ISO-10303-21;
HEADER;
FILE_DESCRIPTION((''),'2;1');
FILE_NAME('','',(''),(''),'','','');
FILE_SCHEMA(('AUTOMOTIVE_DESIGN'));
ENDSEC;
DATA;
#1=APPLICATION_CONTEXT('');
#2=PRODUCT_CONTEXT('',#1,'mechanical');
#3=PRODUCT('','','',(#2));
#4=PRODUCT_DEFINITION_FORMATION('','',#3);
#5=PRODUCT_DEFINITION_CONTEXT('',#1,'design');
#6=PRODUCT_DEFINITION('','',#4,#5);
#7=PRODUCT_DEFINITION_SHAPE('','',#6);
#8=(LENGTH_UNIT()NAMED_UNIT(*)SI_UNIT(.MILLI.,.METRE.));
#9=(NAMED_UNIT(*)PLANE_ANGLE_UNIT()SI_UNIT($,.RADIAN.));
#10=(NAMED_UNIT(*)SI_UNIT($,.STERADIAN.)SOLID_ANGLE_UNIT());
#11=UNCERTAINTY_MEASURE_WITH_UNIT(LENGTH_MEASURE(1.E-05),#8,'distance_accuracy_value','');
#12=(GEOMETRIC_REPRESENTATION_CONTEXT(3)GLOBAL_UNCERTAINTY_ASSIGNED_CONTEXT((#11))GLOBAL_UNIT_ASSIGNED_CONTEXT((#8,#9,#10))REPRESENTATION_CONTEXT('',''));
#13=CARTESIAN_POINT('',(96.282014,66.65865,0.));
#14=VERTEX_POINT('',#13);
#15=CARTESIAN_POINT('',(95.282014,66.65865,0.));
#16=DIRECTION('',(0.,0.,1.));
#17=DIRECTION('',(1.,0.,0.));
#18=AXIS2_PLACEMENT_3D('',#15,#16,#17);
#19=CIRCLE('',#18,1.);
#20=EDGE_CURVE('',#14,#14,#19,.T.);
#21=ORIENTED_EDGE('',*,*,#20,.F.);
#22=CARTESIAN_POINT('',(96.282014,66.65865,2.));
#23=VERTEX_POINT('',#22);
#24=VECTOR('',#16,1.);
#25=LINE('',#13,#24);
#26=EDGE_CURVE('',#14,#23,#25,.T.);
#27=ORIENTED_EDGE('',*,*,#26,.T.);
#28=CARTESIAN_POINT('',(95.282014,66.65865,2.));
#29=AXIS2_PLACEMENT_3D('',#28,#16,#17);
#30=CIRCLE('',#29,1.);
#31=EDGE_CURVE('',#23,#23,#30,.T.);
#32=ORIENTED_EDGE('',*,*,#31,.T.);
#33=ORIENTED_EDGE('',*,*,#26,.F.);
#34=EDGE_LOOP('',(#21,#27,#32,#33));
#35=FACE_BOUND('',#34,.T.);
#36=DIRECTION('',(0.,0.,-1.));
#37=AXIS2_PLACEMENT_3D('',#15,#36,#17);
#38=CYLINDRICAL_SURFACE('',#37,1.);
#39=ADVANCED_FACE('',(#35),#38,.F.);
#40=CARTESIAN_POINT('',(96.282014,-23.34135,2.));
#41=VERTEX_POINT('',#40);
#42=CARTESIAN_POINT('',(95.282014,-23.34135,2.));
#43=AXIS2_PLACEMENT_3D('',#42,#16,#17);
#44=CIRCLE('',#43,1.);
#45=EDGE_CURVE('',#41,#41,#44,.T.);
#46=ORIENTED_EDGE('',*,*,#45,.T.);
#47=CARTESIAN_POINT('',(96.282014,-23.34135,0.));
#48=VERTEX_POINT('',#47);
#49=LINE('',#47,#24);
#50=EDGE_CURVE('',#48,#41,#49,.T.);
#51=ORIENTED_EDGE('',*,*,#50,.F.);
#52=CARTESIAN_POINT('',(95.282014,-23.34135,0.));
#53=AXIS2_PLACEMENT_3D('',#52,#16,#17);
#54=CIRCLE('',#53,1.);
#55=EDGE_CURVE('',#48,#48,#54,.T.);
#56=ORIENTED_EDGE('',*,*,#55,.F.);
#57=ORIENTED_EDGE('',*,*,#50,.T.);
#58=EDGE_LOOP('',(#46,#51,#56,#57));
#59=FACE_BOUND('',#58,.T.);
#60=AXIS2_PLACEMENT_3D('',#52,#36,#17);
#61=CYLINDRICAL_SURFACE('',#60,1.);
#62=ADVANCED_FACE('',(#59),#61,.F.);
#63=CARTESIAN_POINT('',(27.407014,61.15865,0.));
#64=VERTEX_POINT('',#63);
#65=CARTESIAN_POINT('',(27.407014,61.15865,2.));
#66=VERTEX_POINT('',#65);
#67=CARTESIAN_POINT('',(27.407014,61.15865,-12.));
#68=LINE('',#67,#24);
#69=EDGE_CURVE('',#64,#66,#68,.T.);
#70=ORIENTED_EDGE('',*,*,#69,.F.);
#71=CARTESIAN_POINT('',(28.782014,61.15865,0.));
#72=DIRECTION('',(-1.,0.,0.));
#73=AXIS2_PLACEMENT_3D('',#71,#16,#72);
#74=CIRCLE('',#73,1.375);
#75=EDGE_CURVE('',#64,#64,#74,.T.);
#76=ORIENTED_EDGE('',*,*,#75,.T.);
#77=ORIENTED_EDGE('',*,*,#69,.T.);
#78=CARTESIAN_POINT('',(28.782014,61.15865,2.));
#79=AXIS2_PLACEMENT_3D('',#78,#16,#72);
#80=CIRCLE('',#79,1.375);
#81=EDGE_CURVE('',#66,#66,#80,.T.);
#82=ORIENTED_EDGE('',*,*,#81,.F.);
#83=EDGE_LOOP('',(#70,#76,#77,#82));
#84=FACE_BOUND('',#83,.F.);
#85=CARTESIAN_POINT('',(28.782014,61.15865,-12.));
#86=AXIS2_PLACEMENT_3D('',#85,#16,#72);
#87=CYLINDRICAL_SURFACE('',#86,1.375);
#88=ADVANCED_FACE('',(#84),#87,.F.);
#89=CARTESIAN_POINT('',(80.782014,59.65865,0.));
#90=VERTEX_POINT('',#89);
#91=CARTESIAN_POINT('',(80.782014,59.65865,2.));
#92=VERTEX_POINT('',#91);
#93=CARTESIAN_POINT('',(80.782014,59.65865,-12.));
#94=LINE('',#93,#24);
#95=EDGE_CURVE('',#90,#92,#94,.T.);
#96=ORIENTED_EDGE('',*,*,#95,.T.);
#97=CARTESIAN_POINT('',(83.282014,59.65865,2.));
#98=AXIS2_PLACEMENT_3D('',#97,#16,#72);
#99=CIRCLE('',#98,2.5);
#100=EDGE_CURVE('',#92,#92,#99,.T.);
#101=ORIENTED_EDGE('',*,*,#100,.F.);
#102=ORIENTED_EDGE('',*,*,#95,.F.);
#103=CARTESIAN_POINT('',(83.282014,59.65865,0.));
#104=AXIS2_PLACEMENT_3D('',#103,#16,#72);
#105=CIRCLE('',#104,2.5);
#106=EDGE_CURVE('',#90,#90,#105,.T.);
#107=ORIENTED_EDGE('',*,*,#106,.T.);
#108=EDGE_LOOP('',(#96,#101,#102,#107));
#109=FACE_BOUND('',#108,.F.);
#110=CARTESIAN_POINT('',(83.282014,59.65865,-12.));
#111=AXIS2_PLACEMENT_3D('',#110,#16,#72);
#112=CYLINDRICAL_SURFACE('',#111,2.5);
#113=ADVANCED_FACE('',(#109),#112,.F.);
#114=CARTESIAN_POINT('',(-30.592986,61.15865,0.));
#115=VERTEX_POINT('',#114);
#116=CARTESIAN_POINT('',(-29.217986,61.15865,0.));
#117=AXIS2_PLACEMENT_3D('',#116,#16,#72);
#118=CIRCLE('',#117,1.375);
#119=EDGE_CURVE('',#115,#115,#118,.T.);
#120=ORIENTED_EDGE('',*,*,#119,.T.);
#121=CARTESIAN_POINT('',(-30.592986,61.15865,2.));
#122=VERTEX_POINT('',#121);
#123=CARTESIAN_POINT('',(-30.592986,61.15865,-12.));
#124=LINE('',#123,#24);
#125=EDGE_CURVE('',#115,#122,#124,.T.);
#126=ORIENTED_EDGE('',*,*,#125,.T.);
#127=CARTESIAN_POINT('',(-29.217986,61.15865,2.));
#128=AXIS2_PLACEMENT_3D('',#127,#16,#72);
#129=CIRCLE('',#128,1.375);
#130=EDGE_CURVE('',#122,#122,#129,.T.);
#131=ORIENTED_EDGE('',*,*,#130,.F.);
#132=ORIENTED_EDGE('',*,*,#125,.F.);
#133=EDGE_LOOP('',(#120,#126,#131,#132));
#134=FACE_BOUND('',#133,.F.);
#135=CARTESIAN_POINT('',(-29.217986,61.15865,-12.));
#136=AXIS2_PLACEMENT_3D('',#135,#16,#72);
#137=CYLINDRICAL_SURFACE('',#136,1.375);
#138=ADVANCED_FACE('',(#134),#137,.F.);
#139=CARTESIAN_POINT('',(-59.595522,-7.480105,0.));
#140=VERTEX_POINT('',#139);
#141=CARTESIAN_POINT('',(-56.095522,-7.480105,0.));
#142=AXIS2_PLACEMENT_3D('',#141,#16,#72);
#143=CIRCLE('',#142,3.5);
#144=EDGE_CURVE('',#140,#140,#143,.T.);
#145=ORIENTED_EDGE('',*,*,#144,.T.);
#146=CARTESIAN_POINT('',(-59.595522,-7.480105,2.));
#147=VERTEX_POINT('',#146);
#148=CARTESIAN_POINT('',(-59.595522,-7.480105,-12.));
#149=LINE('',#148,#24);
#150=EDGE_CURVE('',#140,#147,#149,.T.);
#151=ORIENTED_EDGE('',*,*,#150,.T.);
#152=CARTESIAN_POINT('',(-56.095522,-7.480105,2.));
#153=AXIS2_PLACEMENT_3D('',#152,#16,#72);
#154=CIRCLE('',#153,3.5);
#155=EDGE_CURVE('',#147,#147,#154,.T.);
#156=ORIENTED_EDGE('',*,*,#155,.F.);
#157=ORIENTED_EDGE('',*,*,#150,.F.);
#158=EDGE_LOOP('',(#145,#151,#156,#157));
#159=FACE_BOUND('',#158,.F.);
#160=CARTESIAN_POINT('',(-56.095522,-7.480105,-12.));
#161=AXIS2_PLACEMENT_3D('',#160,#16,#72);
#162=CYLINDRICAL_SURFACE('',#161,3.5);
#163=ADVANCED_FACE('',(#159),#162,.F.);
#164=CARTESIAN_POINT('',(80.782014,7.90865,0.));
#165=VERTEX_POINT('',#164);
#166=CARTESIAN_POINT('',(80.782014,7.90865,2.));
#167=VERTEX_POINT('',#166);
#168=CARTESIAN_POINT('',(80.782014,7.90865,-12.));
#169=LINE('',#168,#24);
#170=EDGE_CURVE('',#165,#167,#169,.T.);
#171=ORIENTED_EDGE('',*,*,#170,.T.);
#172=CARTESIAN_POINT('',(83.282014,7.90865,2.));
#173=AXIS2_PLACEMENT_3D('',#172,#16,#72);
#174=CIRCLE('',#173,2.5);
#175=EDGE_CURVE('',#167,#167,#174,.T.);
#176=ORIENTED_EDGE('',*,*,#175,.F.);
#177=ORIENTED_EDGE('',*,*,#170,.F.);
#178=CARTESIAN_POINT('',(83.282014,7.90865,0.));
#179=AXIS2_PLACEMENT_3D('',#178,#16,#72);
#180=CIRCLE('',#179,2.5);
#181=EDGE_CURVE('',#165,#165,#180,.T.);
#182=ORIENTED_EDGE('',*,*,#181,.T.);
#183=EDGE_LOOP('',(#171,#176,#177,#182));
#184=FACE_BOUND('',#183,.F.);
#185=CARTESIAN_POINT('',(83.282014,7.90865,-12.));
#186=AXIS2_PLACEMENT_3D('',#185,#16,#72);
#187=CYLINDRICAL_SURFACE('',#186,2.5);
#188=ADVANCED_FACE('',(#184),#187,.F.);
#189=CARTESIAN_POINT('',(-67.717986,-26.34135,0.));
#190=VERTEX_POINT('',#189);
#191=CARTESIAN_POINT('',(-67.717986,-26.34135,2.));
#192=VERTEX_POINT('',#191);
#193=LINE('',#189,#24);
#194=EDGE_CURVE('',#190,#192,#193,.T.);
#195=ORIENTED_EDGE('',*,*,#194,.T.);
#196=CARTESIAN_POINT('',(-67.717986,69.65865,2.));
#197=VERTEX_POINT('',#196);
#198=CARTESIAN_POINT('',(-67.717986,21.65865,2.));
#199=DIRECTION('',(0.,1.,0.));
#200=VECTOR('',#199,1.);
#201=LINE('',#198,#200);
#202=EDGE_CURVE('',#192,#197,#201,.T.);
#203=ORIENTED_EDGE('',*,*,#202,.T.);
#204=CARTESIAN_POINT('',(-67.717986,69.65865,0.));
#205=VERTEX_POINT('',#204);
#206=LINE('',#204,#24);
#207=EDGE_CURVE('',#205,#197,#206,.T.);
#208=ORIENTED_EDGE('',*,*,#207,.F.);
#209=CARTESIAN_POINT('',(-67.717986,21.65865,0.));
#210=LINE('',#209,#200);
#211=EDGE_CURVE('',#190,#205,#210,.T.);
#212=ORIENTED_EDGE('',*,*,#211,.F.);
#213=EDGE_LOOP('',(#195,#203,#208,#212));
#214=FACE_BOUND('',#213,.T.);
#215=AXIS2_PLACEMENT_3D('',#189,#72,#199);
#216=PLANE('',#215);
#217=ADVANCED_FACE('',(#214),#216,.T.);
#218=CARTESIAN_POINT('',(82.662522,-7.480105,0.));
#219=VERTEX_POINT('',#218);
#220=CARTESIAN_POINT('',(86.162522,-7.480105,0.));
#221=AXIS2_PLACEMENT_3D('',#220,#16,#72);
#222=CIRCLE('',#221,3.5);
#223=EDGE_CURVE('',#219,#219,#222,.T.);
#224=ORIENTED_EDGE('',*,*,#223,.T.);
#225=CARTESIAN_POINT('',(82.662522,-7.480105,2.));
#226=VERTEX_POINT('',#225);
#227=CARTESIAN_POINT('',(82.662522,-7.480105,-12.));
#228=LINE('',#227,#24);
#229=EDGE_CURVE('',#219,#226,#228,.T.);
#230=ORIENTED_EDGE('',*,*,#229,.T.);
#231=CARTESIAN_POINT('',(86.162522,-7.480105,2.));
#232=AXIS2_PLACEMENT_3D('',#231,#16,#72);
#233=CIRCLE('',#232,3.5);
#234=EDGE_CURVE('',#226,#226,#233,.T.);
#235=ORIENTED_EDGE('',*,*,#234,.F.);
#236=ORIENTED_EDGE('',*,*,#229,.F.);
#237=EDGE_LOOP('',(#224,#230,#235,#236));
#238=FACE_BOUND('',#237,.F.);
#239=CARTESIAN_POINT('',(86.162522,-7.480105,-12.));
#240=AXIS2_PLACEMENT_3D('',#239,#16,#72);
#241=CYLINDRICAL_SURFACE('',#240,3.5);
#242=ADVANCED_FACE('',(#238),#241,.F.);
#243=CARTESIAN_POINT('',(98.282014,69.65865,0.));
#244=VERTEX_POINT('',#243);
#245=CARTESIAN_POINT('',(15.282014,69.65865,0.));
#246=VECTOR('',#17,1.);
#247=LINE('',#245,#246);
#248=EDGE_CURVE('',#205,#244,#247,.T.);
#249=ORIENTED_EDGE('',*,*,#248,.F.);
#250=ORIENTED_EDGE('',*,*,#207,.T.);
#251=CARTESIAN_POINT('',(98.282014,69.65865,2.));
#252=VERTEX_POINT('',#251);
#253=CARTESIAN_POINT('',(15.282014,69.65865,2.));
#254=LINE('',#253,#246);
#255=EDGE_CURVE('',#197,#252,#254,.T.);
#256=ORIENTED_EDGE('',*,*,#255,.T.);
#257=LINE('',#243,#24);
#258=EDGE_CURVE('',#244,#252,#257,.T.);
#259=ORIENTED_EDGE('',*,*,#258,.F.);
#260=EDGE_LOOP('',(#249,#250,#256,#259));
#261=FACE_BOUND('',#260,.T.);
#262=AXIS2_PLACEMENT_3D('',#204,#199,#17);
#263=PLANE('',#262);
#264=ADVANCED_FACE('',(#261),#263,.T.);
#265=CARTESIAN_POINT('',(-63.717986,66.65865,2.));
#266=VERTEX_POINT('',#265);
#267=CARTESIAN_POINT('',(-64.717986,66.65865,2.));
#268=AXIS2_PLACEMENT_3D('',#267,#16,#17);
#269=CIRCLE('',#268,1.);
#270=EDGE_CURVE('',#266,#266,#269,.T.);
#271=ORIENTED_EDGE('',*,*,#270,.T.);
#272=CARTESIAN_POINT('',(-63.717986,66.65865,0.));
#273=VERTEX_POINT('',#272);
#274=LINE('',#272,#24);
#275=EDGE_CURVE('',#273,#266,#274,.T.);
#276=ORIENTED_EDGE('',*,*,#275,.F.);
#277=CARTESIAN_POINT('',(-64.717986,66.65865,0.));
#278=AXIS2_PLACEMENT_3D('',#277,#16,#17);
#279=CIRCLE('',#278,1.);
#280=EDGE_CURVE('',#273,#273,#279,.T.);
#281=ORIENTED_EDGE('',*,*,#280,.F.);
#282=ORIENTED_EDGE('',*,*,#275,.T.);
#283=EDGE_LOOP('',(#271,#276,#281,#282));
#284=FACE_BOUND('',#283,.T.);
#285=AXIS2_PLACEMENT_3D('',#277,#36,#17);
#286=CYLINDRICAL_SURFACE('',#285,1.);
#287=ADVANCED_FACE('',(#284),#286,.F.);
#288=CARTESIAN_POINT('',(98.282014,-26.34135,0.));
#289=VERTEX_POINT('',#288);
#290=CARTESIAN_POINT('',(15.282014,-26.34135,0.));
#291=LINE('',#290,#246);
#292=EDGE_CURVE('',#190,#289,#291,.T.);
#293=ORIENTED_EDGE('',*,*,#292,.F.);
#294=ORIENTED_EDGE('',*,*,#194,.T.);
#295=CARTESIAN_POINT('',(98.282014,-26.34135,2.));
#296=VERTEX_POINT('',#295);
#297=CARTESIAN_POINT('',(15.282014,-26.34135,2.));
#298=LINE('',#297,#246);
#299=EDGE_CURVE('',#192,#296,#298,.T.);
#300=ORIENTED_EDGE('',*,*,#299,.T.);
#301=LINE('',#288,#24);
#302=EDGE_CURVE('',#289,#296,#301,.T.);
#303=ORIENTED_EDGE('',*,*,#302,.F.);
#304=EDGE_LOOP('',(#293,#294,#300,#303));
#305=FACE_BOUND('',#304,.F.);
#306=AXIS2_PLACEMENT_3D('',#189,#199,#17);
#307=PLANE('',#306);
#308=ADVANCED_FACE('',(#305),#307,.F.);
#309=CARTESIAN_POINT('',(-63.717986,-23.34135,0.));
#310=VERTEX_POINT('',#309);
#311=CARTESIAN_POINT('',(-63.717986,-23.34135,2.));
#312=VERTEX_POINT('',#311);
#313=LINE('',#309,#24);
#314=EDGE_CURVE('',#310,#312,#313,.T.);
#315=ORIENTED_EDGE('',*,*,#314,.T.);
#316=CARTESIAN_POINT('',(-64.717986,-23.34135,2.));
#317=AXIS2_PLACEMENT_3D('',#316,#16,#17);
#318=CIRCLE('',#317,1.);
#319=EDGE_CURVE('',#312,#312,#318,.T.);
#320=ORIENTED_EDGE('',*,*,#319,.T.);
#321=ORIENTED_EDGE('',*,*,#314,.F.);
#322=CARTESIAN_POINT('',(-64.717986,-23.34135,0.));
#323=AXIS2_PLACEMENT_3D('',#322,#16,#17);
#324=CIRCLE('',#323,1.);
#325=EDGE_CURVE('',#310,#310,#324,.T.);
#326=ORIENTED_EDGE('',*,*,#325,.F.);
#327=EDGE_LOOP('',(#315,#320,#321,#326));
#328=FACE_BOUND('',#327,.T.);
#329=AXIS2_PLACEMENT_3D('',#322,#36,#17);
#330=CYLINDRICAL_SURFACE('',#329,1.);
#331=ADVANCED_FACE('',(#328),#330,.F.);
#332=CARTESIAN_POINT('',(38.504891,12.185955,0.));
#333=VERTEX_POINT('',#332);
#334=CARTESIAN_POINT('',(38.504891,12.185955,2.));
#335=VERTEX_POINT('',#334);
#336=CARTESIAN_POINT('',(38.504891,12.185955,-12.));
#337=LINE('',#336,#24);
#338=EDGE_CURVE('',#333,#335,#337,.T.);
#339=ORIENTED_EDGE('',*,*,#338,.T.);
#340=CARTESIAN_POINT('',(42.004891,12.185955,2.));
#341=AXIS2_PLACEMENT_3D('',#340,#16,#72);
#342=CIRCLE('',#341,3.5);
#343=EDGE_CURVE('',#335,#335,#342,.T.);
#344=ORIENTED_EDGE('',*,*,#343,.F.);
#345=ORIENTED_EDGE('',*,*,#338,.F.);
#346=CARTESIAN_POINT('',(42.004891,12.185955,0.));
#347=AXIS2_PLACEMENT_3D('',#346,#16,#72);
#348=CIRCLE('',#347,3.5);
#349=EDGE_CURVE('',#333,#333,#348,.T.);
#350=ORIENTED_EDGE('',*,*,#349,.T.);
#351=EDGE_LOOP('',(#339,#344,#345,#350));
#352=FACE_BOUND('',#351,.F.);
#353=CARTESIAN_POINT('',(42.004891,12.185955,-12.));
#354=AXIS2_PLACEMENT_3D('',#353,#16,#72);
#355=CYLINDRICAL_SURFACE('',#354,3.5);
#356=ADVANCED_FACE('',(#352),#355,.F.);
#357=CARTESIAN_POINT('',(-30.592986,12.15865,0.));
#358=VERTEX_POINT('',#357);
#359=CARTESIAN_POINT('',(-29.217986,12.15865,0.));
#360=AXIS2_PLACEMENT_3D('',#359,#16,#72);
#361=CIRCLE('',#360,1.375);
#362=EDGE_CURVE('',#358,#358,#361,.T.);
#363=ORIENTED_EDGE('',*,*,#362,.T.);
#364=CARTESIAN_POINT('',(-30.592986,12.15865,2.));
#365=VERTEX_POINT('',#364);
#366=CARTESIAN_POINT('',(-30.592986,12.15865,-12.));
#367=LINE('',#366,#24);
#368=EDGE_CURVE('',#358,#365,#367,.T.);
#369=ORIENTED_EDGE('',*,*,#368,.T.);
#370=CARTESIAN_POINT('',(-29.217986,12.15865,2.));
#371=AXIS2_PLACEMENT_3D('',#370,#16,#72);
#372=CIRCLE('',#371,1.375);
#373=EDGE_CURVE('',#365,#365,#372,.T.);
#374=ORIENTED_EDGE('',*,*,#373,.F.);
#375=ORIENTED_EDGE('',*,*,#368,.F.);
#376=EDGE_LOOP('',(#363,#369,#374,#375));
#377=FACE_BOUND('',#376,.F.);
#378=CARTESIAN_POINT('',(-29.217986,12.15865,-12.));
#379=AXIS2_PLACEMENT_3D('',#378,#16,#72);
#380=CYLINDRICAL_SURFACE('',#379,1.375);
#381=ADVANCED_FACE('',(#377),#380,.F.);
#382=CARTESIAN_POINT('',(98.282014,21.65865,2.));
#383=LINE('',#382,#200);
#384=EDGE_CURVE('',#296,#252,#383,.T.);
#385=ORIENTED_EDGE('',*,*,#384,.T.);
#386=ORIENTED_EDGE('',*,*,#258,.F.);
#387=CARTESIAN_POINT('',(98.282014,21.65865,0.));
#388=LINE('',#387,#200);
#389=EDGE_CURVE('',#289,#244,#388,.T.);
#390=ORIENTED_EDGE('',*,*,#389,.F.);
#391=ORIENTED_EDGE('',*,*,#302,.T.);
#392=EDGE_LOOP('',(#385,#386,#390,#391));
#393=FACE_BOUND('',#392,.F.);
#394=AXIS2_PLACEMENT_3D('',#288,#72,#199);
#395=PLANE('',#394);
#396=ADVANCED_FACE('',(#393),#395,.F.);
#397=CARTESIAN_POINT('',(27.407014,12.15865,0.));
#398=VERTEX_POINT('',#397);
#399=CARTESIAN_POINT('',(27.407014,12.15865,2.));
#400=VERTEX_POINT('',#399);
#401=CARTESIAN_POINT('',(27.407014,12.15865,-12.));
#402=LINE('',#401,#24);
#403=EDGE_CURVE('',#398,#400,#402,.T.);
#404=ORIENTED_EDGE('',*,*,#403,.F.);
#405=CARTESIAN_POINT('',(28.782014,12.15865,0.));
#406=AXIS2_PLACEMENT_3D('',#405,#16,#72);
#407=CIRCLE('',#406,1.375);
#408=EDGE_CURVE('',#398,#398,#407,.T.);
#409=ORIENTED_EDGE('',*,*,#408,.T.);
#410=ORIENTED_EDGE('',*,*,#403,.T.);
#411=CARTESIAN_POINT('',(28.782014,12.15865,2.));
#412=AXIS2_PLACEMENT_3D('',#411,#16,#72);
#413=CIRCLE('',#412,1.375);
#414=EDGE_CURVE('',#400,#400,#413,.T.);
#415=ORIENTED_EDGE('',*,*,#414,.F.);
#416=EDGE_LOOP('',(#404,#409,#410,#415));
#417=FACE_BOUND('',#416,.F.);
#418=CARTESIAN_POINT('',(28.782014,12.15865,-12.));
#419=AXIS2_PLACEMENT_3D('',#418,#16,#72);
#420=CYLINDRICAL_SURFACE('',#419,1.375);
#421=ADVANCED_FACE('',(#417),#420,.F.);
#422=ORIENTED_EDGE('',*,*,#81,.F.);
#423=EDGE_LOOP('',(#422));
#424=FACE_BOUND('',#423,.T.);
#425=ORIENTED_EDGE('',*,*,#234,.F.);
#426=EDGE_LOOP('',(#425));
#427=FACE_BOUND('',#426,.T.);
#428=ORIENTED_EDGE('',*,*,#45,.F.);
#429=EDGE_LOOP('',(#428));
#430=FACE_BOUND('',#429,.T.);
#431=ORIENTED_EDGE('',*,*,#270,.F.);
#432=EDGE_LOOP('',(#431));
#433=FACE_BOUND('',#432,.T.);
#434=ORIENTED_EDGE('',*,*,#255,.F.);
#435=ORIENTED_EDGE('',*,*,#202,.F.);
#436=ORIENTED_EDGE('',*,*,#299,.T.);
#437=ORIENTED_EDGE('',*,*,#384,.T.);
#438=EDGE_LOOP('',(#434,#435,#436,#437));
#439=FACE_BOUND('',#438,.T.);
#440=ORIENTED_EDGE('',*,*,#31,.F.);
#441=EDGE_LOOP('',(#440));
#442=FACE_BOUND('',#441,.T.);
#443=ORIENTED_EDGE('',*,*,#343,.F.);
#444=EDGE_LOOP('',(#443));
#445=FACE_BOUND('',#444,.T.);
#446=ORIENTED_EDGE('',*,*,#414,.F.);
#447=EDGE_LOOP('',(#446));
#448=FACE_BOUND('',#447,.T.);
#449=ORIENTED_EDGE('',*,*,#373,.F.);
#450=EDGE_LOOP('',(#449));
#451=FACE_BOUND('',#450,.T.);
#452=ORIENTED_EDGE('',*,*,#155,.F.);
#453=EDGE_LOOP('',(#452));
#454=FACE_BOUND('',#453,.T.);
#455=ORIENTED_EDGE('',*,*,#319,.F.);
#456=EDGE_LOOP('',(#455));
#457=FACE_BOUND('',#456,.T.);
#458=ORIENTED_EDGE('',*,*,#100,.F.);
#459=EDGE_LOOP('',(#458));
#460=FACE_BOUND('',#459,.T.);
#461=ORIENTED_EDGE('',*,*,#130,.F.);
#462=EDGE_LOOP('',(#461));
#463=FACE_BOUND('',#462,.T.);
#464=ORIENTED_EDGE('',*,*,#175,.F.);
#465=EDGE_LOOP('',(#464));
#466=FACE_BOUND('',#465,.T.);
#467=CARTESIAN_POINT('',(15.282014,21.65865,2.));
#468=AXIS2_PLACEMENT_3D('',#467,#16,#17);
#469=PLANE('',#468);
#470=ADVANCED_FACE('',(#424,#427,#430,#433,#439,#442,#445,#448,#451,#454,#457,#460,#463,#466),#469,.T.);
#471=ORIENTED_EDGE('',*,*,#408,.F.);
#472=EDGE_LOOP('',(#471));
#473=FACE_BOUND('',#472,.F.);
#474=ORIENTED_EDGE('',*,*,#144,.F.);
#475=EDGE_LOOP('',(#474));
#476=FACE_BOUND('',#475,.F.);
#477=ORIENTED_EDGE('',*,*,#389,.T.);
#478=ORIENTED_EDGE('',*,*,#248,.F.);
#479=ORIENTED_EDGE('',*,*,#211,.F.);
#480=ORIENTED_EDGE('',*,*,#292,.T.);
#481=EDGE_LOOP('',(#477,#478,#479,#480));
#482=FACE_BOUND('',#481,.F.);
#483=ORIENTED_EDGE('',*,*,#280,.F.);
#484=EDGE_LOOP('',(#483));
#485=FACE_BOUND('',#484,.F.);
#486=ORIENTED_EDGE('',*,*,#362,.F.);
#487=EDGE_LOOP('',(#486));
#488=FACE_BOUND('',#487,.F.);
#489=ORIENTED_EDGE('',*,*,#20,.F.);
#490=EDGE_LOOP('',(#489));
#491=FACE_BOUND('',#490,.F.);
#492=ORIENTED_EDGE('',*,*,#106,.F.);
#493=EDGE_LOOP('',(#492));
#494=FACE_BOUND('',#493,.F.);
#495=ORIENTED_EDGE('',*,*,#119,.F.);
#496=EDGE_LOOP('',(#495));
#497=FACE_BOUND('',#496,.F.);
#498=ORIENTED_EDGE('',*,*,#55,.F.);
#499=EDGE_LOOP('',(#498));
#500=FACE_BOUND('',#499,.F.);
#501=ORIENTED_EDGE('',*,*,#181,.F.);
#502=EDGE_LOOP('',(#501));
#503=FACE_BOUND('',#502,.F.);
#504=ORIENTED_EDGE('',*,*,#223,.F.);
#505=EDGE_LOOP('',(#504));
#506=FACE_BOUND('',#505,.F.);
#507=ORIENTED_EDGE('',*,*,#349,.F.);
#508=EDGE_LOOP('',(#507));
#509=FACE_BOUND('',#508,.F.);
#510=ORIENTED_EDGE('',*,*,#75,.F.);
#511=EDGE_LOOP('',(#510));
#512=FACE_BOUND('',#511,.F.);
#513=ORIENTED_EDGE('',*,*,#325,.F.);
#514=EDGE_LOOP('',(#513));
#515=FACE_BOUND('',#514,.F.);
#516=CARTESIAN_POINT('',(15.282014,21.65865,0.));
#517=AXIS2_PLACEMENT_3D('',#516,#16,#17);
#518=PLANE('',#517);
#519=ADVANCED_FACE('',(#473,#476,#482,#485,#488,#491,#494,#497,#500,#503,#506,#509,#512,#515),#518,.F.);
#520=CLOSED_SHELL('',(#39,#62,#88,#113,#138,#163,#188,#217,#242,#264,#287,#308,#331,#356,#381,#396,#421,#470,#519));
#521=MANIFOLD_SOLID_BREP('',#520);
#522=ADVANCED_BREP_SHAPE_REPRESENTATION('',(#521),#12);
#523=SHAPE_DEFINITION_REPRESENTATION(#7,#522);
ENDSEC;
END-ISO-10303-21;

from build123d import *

# Parameters (mm, degrees)
F0_W     = 166
F0_H     = 96
F0_R     = 1
F1_DEPTH = 2
F3_D     = 5
F3_DEPTH = 12
F3_TIP   = 1.5021515476
F4_D     = 2.75
F4_DEPTH = 12
F4_TIP   = 0.8261833512
F5_D     = 7
F5_DEPTH = 12
F5_TIP   = 2.1030121666


with BuildPart() as f1:
    # F0 (on Top) → F1 (new body)
    with BuildSketch(Plane.XY):
        with Locations((15.2820143104, 21.6586496021)):
            Rectangle(F0_W, F0_H)
        with Locations((-64.7179856896, -23.3413503979)):
            Circle(F0_R, mode=Mode.SUBTRACT)
        with Locations((95.2820143104, -23.3413503979)):
            Circle(F0_R, mode=Mode.SUBTRACT)
        with Locations((-64.7179856896, 66.6586496021)):
            Circle(F0_R, mode=Mode.SUBTRACT)
        with Locations((95.2820143104, 66.6586496021)):
            Circle(F0_R, mode=Mode.SUBTRACT)
    extrude(amount=F1_DEPTH)

    # F3
    with Locations(Plane(origin=(0, 0, 0), x_dir=(1, 0, 0), z_dir=(0, 0, -1))):
        with Locations((83.2820143104, -59.6586496021), (83.2820143104, -7.9086496021)):
            Hole(F3_D / 2, depth=F3_DEPTH)
            with Locations((0, 0, -(F3_DEPTH + F3_TIP / 2))):  # 118° drill point
                Cone(0, F3_D / 2, F3_TIP, mode=Mode.SUBTRACT)

    # F4
    with Locations(Plane(origin=(0, 0, 0), x_dir=(1, 0, 0), z_dir=(0, 0, -1))):
        with Locations((-29.2179856896, -61.1586496021), (-29.2179856896, -12.1586496021), (28.7820143104, -12.1586496021), (28.7820143104, -61.1586496021)):
            Hole(F4_D / 2, depth=F4_DEPTH)
            with Locations((0, 0, -(F4_DEPTH + F4_TIP / 2))):  # 118° drill point
                Cone(0, F4_D / 2, F4_TIP, mode=Mode.SUBTRACT)

    # F5
    with Locations(Plane(origin=(0, 0, 0), x_dir=(1, 0, 0), z_dir=(0, 0, -1))):
        with Locations((-56.0955218971, 7.4801053852), (86.1625224352, 7.4801053852), (42.0048907399, -12.1859554201)):
            Hole(F5_D / 2, depth=F5_DEPTH)
            with Locations((0, 0, -(F5_DEPTH + F5_TIP / 2))):  # 118° drill point
                Cone(0, F5_D / 2, F5_TIP, mode=Mode.SUBTRACT)


solid = f1.part
